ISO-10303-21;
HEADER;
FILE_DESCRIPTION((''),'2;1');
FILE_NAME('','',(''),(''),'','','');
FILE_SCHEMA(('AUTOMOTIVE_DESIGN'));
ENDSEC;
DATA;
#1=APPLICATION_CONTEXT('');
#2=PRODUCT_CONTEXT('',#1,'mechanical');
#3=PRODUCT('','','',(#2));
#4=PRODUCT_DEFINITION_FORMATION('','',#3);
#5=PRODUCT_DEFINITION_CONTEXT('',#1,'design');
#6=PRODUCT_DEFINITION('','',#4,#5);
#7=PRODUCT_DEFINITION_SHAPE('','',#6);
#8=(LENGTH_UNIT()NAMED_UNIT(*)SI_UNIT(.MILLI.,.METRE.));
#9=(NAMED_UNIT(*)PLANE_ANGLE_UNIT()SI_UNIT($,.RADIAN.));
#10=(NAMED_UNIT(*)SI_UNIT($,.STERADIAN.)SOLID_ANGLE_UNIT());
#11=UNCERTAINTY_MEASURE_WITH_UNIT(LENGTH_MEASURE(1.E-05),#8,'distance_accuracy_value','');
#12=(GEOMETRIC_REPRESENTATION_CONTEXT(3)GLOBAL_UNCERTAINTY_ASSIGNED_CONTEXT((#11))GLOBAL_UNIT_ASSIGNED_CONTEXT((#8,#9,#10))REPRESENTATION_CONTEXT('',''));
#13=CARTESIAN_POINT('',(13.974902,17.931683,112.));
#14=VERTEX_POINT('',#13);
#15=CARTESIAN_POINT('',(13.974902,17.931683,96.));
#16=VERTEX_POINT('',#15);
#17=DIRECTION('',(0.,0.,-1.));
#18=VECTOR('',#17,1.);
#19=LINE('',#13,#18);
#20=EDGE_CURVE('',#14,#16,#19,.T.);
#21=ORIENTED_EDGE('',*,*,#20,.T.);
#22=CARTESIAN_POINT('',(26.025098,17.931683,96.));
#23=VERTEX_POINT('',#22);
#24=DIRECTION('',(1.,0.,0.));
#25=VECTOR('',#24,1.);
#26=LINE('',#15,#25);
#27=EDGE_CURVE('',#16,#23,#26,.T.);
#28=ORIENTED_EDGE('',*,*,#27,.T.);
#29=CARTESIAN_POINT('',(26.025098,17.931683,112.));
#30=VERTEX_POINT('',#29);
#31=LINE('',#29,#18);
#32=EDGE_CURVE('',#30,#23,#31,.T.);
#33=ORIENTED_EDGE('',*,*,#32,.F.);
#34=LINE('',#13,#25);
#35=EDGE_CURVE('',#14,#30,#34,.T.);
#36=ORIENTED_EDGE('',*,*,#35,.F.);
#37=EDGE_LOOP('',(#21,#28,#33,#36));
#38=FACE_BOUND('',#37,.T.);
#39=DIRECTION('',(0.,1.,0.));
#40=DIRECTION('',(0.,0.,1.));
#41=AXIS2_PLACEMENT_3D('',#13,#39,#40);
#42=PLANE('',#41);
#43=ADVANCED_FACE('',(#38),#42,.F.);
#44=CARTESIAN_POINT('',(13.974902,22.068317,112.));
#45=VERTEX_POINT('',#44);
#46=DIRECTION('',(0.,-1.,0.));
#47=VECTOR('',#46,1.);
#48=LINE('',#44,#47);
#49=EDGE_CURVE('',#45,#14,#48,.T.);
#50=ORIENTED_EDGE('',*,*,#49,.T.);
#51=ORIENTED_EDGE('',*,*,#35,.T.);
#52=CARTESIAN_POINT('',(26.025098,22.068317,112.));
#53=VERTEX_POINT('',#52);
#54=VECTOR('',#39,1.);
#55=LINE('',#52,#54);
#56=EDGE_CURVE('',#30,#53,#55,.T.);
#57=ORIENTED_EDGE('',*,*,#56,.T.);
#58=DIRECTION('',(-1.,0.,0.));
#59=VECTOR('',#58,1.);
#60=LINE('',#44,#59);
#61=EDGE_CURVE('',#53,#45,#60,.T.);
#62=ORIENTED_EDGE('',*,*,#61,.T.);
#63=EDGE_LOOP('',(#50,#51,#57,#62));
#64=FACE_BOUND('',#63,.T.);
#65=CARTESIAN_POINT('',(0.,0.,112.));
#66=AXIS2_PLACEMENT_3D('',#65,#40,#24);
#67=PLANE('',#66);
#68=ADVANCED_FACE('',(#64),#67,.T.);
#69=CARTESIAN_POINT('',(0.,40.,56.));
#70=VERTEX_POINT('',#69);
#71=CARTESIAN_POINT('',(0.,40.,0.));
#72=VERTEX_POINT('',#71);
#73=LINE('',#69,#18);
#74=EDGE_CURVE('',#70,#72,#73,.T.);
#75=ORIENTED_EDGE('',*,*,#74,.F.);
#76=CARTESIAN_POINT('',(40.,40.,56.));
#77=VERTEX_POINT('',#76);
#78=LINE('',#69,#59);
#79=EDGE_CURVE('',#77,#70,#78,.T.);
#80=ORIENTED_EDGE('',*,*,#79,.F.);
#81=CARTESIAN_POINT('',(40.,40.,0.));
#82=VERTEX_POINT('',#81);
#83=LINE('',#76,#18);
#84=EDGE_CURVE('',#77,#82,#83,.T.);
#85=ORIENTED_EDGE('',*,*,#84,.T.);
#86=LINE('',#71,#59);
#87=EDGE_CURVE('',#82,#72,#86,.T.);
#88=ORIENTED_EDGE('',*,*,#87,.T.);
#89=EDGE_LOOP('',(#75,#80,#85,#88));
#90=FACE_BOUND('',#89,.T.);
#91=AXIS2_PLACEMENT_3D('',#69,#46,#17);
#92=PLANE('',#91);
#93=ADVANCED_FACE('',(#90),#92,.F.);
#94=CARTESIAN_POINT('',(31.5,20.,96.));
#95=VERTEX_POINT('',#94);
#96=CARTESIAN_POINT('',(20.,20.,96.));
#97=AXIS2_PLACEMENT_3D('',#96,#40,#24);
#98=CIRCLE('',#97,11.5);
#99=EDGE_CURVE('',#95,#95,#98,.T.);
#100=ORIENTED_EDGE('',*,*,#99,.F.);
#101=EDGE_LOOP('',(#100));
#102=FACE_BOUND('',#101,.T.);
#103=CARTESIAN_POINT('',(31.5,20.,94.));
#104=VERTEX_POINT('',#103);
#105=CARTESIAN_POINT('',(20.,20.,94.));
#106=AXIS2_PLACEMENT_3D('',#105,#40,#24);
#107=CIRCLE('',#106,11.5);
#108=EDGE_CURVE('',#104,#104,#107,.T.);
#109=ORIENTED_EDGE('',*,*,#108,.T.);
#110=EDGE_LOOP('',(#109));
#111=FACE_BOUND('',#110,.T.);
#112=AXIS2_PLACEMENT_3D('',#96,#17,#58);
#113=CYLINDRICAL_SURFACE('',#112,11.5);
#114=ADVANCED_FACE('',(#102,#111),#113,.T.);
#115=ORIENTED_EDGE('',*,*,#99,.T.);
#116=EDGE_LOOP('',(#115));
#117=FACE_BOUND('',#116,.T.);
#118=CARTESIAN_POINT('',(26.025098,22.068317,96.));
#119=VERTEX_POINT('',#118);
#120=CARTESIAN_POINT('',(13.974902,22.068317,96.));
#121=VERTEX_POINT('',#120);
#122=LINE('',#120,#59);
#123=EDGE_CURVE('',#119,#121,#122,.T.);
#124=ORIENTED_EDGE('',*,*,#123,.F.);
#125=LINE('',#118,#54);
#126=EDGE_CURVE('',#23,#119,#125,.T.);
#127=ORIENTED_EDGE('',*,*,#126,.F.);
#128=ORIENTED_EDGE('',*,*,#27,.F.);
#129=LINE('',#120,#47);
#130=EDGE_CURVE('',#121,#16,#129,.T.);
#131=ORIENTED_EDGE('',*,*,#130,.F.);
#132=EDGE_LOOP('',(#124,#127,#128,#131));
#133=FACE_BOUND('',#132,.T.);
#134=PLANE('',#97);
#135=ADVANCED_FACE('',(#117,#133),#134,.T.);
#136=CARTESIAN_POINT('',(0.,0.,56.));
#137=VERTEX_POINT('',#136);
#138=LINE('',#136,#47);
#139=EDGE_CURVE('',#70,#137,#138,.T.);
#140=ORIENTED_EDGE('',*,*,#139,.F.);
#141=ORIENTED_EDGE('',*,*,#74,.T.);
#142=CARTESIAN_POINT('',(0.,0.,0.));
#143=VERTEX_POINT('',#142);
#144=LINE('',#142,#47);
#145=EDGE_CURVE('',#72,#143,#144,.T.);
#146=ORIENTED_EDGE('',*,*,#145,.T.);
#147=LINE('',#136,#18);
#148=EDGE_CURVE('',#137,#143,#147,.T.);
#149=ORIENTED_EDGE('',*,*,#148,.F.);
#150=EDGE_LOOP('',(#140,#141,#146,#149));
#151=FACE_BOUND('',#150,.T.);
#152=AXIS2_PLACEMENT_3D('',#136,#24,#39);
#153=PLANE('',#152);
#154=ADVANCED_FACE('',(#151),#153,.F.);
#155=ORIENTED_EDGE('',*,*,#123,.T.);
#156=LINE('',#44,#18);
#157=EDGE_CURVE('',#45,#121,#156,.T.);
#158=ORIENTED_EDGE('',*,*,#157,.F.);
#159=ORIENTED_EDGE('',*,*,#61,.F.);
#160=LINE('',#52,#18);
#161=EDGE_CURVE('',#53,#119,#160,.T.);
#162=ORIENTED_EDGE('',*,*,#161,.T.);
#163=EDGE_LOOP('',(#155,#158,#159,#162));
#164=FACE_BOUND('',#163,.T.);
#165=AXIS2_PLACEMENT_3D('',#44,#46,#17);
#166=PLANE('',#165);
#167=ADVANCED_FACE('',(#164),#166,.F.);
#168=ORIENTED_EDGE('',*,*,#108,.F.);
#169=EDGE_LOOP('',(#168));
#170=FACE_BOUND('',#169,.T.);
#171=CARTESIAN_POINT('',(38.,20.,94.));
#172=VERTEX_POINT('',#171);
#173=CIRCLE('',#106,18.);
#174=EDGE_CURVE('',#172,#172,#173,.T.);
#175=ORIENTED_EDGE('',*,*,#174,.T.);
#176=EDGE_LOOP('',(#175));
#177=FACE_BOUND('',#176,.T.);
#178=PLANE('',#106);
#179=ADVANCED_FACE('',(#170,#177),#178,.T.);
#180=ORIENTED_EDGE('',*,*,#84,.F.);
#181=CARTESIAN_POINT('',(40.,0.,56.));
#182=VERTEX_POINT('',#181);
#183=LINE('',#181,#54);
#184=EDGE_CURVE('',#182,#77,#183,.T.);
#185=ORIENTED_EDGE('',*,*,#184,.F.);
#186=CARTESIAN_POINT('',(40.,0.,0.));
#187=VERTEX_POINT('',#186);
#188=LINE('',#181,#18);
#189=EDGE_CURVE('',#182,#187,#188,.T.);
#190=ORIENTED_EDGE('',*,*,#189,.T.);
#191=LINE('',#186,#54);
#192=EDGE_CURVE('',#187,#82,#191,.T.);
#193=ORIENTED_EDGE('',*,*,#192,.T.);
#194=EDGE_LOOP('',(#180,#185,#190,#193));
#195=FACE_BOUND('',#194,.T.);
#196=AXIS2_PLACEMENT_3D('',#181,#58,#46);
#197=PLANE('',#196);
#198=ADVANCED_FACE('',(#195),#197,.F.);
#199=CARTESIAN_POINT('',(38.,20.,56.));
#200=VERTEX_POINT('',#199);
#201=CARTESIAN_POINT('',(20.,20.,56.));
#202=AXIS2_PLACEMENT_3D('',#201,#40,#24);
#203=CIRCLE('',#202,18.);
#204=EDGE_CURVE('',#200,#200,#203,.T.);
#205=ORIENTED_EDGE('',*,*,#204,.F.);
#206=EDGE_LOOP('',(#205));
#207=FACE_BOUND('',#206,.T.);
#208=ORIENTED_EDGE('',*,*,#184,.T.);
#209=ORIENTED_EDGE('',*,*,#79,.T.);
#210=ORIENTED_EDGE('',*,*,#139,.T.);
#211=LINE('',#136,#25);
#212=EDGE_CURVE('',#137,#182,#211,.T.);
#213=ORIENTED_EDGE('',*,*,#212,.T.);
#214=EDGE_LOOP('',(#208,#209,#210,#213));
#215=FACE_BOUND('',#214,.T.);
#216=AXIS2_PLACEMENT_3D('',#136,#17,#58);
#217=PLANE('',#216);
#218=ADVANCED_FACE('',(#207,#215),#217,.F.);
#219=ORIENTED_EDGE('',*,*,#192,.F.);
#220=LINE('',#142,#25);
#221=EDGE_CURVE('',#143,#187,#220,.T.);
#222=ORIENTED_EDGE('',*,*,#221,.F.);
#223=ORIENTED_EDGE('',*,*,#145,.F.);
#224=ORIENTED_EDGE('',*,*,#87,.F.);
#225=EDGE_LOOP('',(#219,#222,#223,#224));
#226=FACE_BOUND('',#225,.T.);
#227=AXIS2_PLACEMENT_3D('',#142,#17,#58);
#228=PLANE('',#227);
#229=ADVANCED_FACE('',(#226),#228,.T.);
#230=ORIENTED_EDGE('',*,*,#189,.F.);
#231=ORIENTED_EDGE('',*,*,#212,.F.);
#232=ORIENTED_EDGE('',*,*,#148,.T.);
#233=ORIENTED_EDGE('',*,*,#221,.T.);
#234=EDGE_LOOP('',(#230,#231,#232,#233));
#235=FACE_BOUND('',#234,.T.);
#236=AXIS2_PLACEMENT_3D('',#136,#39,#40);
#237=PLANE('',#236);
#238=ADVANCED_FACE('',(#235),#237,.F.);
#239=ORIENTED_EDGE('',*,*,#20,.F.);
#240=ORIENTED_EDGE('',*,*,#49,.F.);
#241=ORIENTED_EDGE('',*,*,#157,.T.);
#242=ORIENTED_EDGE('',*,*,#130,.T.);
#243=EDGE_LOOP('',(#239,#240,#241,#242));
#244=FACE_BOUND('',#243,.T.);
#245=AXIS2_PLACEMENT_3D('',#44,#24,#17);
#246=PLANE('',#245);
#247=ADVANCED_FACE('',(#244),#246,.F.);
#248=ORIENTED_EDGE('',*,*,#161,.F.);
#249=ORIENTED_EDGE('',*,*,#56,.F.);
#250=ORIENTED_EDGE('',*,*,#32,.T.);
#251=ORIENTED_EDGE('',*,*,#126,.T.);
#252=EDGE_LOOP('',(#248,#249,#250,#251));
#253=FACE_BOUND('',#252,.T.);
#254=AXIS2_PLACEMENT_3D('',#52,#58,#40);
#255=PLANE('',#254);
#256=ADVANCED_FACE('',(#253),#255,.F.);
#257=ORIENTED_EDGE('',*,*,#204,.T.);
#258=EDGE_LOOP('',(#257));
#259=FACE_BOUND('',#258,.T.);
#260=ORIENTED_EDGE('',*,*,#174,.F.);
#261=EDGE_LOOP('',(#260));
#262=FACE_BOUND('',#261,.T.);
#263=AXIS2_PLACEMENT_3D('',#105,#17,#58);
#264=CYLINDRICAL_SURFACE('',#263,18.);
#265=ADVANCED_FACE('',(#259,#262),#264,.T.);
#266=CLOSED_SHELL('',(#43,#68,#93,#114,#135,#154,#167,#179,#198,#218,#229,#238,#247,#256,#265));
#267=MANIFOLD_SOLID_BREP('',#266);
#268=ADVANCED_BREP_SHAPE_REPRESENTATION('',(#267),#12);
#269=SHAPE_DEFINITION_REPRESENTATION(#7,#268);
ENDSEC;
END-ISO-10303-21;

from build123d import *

# Parameters (mm, degrees)
ESQUISSE1_W        = 40
ESQUISSE1_H        = 40
BOSS_EXTRU_1_DEPTH = 56
ESQUISSE2_R        = 18
BOSS_EXTRU_2_DEPTH = 38
ESQUISSE3_R        = 11.5
BOSS_EXTRU_3_DEPTH = 2
ESQUISSE4_W        = 12.050195296
ESQUISSE4_H        = 4.136634206
BOSS_EXTRU_4_DEPTH = 16


with BuildPart() as part:
    # Esquisse1 → Boss.-Extru.1 (new body)
    with BuildSketch(Plane.XY):
        with Locations((20, 20)):
            Rectangle(ESQUISSE1_W, ESQUISSE1_H)
    extrude(amount=BOSS_EXTRU_1_DEPTH)

    # Esquisse2 → Boss.-Extru.2 (add)
    with BuildSketch(Plane.XY.offset(56)):
        with Locations((20, 20)):
            Circle(ESQUISSE2_R)
    extrude(amount=BOSS_EXTRU_2_DEPTH)

    # Esquisse3 → Boss.-Extru.3 (add)
    with BuildSketch(Plane.XY.offset(94)):
        with Locations((20, 20)):
            Circle(ESQUISSE3_R)
    extrude(amount=BOSS_EXTRU_3_DEPTH)

    # Esquisse4 → Boss.-Extru.4 (add)
    with BuildSketch(Plane.XY.offset(96)):
        with Locations((20, 20)):
            Rectangle(ESQUISSE4_W, ESQUISSE4_H)
    extrude(amount=BOSS_EXTRU_4_DEPTH)


solid = part.part
